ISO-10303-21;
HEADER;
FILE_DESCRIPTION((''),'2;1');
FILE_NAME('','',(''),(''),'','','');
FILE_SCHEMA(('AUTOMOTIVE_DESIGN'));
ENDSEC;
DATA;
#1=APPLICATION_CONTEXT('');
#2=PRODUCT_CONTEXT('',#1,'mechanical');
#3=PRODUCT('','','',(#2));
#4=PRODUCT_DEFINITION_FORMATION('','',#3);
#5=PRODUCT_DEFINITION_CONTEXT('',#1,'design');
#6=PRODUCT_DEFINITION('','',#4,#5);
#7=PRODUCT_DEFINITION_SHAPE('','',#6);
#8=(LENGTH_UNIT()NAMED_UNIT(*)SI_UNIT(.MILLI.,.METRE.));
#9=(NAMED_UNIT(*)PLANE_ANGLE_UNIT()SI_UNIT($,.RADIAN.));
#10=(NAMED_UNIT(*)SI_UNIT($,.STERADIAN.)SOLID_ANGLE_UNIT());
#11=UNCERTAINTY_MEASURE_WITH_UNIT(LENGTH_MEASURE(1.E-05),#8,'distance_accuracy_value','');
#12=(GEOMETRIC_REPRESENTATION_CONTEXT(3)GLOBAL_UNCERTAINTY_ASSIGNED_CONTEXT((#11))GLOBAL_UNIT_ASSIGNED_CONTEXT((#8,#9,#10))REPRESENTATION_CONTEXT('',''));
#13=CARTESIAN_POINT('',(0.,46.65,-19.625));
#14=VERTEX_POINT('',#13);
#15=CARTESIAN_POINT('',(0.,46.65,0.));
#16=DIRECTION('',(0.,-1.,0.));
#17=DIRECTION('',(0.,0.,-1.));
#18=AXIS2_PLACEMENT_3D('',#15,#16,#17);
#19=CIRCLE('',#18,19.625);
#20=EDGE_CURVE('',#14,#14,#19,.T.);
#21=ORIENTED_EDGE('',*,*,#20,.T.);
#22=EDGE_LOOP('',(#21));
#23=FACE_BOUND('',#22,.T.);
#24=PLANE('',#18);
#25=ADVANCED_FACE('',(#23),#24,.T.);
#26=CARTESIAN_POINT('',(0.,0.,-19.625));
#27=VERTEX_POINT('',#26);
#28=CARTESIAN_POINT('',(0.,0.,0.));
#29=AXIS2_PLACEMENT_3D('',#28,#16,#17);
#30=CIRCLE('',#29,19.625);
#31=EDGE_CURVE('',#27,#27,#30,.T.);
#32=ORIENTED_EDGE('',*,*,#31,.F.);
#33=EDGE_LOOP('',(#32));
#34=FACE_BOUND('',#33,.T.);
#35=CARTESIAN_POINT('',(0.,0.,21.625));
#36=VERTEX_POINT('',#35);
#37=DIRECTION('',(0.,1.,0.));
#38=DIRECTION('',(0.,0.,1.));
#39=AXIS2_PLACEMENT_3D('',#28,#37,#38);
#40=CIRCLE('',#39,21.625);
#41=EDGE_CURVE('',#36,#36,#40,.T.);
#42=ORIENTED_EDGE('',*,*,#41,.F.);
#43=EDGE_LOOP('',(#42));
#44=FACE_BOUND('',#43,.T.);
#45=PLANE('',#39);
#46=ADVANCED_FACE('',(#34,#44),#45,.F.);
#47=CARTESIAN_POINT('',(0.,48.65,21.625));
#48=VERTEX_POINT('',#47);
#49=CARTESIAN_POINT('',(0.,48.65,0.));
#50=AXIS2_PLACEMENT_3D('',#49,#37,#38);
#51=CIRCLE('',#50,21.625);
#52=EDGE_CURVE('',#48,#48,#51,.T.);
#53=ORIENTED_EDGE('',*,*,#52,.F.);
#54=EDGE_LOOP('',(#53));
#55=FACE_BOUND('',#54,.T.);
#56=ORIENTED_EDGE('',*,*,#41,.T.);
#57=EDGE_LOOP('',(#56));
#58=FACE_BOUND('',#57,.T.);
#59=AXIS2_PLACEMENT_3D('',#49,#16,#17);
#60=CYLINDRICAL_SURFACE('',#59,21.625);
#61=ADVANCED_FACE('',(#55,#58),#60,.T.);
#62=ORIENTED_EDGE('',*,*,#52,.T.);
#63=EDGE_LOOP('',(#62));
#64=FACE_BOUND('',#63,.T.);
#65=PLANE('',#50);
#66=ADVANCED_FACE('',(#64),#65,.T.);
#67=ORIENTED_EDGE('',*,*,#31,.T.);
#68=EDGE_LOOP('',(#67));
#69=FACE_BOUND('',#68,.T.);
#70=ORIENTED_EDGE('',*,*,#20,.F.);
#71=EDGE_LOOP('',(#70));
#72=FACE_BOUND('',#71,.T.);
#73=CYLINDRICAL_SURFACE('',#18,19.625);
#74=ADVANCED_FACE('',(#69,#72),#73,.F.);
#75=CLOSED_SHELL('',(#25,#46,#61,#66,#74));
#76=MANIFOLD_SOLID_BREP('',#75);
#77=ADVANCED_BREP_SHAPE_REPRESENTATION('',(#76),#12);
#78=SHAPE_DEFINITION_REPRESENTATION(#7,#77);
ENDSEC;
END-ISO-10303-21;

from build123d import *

# Parameters (mm, degrees)
SKETCH_1_R          = 21.625
EXTRUDE_1_DEPTH     = 48.65
SKETCH_2_R          = 19.625
CUT_EXTRUDE_1_DEPTH = 46.65


with BuildPart() as part:
    # Эскиз1 → Бобышка-Вытянуть1 (new body)
    with BuildSketch(Plane(origin=(0, 0, 0), x_dir=(1, 0, 0), z_dir=(0, 1, 0))):
        with Locations(Location((0, 0, 0), (0, 0, 270))):
            Circle(SKETCH_1_R)
    extrude(amount=EXTRUDE_1_DEPTH)

    # Эскиз2 → Вырез-Вытянуть1 (cut)
    with BuildSketch(Plane.XZ):
        with Locations(Location((0, 0, 0), (0, 0, 270))):
            Circle(SKETCH_2_R)
    extrude(amount=-CUT_EXTRUDE_1_DEPTH, mode=Mode.SUBTRACT)


solid = part.part
